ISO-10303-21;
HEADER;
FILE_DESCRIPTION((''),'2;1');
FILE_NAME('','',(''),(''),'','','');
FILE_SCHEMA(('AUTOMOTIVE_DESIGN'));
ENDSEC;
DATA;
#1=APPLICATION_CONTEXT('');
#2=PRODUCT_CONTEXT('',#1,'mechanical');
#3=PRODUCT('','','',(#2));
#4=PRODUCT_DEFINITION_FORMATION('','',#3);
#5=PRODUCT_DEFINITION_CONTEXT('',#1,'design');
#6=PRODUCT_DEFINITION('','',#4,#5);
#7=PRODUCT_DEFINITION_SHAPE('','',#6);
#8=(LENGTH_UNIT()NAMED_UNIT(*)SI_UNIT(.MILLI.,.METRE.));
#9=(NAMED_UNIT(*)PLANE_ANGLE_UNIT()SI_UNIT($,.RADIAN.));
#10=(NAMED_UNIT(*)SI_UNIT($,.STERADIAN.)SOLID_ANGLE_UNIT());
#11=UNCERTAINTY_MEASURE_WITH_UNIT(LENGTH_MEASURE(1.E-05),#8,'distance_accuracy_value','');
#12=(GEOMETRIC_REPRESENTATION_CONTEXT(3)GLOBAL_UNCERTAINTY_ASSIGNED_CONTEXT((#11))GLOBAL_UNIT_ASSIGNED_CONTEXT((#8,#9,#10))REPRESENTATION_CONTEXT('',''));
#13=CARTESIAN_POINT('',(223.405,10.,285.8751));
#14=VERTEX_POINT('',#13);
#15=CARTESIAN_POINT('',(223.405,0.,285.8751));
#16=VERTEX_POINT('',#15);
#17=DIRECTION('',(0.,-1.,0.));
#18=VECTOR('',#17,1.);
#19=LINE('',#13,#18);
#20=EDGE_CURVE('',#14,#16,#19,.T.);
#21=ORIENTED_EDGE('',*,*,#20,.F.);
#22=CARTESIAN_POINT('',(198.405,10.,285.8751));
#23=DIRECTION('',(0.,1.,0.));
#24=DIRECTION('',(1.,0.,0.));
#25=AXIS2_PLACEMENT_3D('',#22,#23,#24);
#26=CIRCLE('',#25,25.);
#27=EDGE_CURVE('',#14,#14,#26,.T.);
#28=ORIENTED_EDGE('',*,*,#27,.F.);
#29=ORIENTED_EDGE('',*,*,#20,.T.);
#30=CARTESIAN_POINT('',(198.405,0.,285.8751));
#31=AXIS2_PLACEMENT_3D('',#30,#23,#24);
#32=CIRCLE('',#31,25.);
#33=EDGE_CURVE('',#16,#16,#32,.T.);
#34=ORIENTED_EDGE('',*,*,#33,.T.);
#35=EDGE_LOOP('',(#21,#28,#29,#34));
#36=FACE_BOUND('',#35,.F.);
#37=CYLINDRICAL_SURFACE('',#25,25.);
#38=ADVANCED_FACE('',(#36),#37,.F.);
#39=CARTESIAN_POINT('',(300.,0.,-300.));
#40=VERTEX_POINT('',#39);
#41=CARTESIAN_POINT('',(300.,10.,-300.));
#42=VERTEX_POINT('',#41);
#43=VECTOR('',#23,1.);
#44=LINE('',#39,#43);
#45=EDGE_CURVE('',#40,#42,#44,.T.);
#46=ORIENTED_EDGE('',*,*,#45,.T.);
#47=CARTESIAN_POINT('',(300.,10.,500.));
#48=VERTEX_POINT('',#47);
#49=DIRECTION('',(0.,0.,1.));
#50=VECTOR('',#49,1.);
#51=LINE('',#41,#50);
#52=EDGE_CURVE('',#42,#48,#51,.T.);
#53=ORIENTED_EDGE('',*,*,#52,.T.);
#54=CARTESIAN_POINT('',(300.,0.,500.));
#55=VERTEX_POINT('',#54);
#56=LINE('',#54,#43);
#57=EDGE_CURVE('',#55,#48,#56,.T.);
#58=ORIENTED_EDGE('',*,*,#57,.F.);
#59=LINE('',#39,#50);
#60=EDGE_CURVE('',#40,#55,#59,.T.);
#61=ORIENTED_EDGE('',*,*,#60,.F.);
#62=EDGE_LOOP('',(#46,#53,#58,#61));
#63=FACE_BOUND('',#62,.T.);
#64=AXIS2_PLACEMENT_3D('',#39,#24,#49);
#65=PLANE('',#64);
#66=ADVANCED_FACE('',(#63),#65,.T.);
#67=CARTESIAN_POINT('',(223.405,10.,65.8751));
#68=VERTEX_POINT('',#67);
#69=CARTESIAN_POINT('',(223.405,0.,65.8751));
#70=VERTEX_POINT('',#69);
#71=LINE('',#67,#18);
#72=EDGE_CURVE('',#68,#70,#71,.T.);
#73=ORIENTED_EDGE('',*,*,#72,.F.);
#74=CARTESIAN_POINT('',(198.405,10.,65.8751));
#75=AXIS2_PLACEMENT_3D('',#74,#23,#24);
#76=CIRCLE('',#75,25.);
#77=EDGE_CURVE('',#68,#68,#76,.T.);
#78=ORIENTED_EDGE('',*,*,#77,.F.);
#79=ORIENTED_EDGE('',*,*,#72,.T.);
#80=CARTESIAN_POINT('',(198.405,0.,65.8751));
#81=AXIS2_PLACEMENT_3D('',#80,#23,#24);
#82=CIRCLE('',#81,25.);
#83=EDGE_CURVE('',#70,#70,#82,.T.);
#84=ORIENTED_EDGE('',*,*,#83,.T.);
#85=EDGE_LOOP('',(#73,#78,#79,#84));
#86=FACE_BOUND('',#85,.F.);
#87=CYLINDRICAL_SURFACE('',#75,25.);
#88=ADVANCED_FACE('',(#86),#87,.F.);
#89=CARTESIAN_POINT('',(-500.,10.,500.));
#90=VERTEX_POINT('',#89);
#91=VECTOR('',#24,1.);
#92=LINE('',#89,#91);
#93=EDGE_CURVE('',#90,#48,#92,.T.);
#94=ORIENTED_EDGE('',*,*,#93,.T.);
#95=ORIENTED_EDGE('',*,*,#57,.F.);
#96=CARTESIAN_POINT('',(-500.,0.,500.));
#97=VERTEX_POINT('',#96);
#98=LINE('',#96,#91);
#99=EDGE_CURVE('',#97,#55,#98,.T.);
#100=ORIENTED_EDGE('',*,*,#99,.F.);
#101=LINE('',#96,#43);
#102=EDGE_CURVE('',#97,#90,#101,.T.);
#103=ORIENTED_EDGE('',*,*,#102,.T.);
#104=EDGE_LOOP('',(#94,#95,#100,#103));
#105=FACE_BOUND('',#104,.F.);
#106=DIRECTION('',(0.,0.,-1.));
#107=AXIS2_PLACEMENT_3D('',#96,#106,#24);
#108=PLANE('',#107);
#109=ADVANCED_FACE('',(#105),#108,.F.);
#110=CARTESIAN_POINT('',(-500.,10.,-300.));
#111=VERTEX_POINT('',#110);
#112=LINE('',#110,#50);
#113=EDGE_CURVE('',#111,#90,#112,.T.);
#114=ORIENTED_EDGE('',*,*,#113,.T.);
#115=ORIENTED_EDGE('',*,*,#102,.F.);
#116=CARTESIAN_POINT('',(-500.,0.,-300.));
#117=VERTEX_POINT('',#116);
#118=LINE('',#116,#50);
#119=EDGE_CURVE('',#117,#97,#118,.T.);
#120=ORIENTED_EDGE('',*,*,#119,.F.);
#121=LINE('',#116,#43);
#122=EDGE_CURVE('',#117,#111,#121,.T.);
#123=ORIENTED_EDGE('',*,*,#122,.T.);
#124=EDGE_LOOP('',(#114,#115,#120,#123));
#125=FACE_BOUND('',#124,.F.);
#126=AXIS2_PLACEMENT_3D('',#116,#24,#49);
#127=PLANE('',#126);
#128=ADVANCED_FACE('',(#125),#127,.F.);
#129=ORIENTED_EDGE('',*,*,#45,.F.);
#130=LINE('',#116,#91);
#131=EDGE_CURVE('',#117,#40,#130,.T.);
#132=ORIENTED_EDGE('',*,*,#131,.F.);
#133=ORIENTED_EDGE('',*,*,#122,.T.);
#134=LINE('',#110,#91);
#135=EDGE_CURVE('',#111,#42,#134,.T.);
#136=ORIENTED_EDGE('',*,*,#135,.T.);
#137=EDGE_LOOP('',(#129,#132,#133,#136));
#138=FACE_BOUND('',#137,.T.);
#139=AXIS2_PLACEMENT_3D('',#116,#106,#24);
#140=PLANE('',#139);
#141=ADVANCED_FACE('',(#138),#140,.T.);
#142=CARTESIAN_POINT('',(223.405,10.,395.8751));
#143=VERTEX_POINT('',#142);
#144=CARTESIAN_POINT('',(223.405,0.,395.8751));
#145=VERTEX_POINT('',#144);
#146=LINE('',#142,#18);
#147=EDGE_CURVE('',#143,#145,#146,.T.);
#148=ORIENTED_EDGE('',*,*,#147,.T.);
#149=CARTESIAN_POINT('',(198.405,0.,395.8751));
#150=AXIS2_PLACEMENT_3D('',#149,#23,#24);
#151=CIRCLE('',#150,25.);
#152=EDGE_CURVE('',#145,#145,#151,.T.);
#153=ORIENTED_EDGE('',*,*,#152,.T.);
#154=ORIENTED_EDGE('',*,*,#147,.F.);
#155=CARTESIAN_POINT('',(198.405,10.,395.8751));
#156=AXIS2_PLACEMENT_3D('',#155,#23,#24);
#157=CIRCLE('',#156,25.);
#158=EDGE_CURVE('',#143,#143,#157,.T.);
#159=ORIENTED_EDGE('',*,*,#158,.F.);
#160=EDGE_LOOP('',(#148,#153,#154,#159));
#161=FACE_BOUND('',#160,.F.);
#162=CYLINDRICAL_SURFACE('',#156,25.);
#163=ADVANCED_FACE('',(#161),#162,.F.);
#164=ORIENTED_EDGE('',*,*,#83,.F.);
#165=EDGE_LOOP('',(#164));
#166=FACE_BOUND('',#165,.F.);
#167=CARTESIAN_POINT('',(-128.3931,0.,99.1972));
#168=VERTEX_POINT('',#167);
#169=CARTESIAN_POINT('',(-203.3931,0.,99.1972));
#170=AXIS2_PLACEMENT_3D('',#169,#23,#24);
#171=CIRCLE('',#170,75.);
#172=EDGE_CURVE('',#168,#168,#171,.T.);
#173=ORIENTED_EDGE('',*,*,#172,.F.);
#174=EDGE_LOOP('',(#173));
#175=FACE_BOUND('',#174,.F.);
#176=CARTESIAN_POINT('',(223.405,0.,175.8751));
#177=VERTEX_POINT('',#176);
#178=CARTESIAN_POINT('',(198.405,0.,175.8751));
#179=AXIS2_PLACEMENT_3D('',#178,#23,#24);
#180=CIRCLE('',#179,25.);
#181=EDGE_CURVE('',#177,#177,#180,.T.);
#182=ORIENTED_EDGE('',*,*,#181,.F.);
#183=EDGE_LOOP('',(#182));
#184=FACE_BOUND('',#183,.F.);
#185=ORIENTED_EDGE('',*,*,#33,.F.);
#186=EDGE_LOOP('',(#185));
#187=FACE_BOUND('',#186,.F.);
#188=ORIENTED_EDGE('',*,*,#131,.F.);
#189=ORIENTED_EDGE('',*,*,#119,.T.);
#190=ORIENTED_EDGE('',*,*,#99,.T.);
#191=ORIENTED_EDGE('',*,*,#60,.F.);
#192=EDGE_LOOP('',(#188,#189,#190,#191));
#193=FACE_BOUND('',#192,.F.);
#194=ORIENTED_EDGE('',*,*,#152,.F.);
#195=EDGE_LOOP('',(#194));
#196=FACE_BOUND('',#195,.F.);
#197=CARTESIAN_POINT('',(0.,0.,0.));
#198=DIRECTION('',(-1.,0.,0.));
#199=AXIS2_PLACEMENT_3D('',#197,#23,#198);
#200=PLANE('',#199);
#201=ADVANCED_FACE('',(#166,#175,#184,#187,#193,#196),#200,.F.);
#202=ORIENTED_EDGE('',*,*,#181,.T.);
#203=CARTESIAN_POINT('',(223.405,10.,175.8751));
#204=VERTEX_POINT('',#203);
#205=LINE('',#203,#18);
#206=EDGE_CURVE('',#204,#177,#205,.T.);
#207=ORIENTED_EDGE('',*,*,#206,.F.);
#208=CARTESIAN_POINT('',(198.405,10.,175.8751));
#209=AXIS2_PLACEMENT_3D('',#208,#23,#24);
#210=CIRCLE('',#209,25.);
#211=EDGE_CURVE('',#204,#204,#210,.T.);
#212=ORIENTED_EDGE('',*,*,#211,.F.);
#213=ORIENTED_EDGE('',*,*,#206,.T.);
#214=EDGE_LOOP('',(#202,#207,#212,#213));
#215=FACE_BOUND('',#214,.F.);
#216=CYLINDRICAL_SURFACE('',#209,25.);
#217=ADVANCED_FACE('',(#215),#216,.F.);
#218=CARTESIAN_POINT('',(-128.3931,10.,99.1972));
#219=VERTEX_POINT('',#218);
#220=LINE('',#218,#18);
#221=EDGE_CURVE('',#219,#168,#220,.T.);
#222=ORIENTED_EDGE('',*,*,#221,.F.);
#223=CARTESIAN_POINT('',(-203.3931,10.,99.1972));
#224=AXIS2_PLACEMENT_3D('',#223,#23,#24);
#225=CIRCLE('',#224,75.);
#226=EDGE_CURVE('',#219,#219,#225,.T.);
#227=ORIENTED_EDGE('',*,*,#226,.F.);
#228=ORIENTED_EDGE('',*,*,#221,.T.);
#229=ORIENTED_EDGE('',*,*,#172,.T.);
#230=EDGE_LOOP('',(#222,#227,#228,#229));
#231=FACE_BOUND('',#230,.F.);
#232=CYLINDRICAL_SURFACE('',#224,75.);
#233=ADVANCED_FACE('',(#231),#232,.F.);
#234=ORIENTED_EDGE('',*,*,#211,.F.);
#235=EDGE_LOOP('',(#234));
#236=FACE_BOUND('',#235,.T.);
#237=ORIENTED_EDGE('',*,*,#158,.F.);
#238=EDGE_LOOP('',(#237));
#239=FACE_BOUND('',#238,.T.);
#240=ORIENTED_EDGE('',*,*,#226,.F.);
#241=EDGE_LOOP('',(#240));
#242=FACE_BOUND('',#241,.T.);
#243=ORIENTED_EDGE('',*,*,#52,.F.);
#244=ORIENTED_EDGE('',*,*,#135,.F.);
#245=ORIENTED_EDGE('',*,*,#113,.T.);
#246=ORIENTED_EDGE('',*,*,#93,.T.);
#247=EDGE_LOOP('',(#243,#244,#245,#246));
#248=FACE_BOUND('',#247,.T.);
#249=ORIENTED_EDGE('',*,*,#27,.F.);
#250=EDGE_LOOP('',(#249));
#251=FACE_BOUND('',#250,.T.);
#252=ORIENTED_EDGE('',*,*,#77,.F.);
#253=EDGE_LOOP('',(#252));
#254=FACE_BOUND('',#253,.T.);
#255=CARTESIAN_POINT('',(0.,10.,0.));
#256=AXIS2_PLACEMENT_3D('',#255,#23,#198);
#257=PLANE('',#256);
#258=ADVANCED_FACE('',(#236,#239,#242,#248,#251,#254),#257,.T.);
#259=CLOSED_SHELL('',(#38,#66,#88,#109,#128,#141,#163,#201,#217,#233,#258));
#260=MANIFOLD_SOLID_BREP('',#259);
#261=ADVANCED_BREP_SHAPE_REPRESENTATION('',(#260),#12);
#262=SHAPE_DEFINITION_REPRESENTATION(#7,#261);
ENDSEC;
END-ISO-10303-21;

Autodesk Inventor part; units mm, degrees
ref_plane "YZ Plane" through (0, 0, 0) normal (1, 0, 0) x (0, 1, 0)
ref_plane "XZ Plane" through (0, 0, 0) normal (0, 1, 0) x (-1, 0, 0)
ref_plane "XY Plane" through (0, 0, 0) normal (0, 0, 1) x (1, 0, 0)
sketch "Эскиз1" plane through (0, 0, 0) normal (0, 1, 0) x (-1, 0, 0)
  line L0 (500, -300) -> (500, 500)
  line L1 (500, 500) -> (-300, 500)
  line L2 (500, -300) -> (-300, -300)
  line L3 (-300, -300) -> (-300, 500)
  point P0 (0, 0)
  point P1 (-300, 300)
extrude "Выдавливание1" add sketch "Эскиз1" along normal blind 10
sketch "Эскиз3" plane through (0, 10, 0) normal (0, 1, 0) x (1, 0, 0)
  circle A0 centre (-203.3931, -99.1972) radius 75
  point P0 (0, 0)
  dimension "d6" = 150
extrude "Выдавливание2" cut sketch "Эскиз3" against normal blind 754.25
sketch "Эскиз4" plane through (0, 10, 0) normal (0, 1, 0) x (1, 0, 0)
  circle A0 centre (198.405, -395.8751) radius 25
  circle A1 centre (198.405, -285.8751) radius 25
  circle A2 centre (198.405, -65.8751) radius 25
  circle A3 centre (198.405, -175.8751) radius 25
  point P0 (0, 0)
  dimension "d9" = 50
  dimension "d10" = 50
  dimension "d11" = 50
  dimension "d12" = 50
  dimension "d15" = 110
  dimension "d16" = 110
  dimension "d17" = 110
extrude "Выдавливание3" cut sketch "Эскиз4" against normal blind 754.25
properties part number "ОСНОВАФАНЕРА" material "Пиломатериалы — ламинированный шпон"
